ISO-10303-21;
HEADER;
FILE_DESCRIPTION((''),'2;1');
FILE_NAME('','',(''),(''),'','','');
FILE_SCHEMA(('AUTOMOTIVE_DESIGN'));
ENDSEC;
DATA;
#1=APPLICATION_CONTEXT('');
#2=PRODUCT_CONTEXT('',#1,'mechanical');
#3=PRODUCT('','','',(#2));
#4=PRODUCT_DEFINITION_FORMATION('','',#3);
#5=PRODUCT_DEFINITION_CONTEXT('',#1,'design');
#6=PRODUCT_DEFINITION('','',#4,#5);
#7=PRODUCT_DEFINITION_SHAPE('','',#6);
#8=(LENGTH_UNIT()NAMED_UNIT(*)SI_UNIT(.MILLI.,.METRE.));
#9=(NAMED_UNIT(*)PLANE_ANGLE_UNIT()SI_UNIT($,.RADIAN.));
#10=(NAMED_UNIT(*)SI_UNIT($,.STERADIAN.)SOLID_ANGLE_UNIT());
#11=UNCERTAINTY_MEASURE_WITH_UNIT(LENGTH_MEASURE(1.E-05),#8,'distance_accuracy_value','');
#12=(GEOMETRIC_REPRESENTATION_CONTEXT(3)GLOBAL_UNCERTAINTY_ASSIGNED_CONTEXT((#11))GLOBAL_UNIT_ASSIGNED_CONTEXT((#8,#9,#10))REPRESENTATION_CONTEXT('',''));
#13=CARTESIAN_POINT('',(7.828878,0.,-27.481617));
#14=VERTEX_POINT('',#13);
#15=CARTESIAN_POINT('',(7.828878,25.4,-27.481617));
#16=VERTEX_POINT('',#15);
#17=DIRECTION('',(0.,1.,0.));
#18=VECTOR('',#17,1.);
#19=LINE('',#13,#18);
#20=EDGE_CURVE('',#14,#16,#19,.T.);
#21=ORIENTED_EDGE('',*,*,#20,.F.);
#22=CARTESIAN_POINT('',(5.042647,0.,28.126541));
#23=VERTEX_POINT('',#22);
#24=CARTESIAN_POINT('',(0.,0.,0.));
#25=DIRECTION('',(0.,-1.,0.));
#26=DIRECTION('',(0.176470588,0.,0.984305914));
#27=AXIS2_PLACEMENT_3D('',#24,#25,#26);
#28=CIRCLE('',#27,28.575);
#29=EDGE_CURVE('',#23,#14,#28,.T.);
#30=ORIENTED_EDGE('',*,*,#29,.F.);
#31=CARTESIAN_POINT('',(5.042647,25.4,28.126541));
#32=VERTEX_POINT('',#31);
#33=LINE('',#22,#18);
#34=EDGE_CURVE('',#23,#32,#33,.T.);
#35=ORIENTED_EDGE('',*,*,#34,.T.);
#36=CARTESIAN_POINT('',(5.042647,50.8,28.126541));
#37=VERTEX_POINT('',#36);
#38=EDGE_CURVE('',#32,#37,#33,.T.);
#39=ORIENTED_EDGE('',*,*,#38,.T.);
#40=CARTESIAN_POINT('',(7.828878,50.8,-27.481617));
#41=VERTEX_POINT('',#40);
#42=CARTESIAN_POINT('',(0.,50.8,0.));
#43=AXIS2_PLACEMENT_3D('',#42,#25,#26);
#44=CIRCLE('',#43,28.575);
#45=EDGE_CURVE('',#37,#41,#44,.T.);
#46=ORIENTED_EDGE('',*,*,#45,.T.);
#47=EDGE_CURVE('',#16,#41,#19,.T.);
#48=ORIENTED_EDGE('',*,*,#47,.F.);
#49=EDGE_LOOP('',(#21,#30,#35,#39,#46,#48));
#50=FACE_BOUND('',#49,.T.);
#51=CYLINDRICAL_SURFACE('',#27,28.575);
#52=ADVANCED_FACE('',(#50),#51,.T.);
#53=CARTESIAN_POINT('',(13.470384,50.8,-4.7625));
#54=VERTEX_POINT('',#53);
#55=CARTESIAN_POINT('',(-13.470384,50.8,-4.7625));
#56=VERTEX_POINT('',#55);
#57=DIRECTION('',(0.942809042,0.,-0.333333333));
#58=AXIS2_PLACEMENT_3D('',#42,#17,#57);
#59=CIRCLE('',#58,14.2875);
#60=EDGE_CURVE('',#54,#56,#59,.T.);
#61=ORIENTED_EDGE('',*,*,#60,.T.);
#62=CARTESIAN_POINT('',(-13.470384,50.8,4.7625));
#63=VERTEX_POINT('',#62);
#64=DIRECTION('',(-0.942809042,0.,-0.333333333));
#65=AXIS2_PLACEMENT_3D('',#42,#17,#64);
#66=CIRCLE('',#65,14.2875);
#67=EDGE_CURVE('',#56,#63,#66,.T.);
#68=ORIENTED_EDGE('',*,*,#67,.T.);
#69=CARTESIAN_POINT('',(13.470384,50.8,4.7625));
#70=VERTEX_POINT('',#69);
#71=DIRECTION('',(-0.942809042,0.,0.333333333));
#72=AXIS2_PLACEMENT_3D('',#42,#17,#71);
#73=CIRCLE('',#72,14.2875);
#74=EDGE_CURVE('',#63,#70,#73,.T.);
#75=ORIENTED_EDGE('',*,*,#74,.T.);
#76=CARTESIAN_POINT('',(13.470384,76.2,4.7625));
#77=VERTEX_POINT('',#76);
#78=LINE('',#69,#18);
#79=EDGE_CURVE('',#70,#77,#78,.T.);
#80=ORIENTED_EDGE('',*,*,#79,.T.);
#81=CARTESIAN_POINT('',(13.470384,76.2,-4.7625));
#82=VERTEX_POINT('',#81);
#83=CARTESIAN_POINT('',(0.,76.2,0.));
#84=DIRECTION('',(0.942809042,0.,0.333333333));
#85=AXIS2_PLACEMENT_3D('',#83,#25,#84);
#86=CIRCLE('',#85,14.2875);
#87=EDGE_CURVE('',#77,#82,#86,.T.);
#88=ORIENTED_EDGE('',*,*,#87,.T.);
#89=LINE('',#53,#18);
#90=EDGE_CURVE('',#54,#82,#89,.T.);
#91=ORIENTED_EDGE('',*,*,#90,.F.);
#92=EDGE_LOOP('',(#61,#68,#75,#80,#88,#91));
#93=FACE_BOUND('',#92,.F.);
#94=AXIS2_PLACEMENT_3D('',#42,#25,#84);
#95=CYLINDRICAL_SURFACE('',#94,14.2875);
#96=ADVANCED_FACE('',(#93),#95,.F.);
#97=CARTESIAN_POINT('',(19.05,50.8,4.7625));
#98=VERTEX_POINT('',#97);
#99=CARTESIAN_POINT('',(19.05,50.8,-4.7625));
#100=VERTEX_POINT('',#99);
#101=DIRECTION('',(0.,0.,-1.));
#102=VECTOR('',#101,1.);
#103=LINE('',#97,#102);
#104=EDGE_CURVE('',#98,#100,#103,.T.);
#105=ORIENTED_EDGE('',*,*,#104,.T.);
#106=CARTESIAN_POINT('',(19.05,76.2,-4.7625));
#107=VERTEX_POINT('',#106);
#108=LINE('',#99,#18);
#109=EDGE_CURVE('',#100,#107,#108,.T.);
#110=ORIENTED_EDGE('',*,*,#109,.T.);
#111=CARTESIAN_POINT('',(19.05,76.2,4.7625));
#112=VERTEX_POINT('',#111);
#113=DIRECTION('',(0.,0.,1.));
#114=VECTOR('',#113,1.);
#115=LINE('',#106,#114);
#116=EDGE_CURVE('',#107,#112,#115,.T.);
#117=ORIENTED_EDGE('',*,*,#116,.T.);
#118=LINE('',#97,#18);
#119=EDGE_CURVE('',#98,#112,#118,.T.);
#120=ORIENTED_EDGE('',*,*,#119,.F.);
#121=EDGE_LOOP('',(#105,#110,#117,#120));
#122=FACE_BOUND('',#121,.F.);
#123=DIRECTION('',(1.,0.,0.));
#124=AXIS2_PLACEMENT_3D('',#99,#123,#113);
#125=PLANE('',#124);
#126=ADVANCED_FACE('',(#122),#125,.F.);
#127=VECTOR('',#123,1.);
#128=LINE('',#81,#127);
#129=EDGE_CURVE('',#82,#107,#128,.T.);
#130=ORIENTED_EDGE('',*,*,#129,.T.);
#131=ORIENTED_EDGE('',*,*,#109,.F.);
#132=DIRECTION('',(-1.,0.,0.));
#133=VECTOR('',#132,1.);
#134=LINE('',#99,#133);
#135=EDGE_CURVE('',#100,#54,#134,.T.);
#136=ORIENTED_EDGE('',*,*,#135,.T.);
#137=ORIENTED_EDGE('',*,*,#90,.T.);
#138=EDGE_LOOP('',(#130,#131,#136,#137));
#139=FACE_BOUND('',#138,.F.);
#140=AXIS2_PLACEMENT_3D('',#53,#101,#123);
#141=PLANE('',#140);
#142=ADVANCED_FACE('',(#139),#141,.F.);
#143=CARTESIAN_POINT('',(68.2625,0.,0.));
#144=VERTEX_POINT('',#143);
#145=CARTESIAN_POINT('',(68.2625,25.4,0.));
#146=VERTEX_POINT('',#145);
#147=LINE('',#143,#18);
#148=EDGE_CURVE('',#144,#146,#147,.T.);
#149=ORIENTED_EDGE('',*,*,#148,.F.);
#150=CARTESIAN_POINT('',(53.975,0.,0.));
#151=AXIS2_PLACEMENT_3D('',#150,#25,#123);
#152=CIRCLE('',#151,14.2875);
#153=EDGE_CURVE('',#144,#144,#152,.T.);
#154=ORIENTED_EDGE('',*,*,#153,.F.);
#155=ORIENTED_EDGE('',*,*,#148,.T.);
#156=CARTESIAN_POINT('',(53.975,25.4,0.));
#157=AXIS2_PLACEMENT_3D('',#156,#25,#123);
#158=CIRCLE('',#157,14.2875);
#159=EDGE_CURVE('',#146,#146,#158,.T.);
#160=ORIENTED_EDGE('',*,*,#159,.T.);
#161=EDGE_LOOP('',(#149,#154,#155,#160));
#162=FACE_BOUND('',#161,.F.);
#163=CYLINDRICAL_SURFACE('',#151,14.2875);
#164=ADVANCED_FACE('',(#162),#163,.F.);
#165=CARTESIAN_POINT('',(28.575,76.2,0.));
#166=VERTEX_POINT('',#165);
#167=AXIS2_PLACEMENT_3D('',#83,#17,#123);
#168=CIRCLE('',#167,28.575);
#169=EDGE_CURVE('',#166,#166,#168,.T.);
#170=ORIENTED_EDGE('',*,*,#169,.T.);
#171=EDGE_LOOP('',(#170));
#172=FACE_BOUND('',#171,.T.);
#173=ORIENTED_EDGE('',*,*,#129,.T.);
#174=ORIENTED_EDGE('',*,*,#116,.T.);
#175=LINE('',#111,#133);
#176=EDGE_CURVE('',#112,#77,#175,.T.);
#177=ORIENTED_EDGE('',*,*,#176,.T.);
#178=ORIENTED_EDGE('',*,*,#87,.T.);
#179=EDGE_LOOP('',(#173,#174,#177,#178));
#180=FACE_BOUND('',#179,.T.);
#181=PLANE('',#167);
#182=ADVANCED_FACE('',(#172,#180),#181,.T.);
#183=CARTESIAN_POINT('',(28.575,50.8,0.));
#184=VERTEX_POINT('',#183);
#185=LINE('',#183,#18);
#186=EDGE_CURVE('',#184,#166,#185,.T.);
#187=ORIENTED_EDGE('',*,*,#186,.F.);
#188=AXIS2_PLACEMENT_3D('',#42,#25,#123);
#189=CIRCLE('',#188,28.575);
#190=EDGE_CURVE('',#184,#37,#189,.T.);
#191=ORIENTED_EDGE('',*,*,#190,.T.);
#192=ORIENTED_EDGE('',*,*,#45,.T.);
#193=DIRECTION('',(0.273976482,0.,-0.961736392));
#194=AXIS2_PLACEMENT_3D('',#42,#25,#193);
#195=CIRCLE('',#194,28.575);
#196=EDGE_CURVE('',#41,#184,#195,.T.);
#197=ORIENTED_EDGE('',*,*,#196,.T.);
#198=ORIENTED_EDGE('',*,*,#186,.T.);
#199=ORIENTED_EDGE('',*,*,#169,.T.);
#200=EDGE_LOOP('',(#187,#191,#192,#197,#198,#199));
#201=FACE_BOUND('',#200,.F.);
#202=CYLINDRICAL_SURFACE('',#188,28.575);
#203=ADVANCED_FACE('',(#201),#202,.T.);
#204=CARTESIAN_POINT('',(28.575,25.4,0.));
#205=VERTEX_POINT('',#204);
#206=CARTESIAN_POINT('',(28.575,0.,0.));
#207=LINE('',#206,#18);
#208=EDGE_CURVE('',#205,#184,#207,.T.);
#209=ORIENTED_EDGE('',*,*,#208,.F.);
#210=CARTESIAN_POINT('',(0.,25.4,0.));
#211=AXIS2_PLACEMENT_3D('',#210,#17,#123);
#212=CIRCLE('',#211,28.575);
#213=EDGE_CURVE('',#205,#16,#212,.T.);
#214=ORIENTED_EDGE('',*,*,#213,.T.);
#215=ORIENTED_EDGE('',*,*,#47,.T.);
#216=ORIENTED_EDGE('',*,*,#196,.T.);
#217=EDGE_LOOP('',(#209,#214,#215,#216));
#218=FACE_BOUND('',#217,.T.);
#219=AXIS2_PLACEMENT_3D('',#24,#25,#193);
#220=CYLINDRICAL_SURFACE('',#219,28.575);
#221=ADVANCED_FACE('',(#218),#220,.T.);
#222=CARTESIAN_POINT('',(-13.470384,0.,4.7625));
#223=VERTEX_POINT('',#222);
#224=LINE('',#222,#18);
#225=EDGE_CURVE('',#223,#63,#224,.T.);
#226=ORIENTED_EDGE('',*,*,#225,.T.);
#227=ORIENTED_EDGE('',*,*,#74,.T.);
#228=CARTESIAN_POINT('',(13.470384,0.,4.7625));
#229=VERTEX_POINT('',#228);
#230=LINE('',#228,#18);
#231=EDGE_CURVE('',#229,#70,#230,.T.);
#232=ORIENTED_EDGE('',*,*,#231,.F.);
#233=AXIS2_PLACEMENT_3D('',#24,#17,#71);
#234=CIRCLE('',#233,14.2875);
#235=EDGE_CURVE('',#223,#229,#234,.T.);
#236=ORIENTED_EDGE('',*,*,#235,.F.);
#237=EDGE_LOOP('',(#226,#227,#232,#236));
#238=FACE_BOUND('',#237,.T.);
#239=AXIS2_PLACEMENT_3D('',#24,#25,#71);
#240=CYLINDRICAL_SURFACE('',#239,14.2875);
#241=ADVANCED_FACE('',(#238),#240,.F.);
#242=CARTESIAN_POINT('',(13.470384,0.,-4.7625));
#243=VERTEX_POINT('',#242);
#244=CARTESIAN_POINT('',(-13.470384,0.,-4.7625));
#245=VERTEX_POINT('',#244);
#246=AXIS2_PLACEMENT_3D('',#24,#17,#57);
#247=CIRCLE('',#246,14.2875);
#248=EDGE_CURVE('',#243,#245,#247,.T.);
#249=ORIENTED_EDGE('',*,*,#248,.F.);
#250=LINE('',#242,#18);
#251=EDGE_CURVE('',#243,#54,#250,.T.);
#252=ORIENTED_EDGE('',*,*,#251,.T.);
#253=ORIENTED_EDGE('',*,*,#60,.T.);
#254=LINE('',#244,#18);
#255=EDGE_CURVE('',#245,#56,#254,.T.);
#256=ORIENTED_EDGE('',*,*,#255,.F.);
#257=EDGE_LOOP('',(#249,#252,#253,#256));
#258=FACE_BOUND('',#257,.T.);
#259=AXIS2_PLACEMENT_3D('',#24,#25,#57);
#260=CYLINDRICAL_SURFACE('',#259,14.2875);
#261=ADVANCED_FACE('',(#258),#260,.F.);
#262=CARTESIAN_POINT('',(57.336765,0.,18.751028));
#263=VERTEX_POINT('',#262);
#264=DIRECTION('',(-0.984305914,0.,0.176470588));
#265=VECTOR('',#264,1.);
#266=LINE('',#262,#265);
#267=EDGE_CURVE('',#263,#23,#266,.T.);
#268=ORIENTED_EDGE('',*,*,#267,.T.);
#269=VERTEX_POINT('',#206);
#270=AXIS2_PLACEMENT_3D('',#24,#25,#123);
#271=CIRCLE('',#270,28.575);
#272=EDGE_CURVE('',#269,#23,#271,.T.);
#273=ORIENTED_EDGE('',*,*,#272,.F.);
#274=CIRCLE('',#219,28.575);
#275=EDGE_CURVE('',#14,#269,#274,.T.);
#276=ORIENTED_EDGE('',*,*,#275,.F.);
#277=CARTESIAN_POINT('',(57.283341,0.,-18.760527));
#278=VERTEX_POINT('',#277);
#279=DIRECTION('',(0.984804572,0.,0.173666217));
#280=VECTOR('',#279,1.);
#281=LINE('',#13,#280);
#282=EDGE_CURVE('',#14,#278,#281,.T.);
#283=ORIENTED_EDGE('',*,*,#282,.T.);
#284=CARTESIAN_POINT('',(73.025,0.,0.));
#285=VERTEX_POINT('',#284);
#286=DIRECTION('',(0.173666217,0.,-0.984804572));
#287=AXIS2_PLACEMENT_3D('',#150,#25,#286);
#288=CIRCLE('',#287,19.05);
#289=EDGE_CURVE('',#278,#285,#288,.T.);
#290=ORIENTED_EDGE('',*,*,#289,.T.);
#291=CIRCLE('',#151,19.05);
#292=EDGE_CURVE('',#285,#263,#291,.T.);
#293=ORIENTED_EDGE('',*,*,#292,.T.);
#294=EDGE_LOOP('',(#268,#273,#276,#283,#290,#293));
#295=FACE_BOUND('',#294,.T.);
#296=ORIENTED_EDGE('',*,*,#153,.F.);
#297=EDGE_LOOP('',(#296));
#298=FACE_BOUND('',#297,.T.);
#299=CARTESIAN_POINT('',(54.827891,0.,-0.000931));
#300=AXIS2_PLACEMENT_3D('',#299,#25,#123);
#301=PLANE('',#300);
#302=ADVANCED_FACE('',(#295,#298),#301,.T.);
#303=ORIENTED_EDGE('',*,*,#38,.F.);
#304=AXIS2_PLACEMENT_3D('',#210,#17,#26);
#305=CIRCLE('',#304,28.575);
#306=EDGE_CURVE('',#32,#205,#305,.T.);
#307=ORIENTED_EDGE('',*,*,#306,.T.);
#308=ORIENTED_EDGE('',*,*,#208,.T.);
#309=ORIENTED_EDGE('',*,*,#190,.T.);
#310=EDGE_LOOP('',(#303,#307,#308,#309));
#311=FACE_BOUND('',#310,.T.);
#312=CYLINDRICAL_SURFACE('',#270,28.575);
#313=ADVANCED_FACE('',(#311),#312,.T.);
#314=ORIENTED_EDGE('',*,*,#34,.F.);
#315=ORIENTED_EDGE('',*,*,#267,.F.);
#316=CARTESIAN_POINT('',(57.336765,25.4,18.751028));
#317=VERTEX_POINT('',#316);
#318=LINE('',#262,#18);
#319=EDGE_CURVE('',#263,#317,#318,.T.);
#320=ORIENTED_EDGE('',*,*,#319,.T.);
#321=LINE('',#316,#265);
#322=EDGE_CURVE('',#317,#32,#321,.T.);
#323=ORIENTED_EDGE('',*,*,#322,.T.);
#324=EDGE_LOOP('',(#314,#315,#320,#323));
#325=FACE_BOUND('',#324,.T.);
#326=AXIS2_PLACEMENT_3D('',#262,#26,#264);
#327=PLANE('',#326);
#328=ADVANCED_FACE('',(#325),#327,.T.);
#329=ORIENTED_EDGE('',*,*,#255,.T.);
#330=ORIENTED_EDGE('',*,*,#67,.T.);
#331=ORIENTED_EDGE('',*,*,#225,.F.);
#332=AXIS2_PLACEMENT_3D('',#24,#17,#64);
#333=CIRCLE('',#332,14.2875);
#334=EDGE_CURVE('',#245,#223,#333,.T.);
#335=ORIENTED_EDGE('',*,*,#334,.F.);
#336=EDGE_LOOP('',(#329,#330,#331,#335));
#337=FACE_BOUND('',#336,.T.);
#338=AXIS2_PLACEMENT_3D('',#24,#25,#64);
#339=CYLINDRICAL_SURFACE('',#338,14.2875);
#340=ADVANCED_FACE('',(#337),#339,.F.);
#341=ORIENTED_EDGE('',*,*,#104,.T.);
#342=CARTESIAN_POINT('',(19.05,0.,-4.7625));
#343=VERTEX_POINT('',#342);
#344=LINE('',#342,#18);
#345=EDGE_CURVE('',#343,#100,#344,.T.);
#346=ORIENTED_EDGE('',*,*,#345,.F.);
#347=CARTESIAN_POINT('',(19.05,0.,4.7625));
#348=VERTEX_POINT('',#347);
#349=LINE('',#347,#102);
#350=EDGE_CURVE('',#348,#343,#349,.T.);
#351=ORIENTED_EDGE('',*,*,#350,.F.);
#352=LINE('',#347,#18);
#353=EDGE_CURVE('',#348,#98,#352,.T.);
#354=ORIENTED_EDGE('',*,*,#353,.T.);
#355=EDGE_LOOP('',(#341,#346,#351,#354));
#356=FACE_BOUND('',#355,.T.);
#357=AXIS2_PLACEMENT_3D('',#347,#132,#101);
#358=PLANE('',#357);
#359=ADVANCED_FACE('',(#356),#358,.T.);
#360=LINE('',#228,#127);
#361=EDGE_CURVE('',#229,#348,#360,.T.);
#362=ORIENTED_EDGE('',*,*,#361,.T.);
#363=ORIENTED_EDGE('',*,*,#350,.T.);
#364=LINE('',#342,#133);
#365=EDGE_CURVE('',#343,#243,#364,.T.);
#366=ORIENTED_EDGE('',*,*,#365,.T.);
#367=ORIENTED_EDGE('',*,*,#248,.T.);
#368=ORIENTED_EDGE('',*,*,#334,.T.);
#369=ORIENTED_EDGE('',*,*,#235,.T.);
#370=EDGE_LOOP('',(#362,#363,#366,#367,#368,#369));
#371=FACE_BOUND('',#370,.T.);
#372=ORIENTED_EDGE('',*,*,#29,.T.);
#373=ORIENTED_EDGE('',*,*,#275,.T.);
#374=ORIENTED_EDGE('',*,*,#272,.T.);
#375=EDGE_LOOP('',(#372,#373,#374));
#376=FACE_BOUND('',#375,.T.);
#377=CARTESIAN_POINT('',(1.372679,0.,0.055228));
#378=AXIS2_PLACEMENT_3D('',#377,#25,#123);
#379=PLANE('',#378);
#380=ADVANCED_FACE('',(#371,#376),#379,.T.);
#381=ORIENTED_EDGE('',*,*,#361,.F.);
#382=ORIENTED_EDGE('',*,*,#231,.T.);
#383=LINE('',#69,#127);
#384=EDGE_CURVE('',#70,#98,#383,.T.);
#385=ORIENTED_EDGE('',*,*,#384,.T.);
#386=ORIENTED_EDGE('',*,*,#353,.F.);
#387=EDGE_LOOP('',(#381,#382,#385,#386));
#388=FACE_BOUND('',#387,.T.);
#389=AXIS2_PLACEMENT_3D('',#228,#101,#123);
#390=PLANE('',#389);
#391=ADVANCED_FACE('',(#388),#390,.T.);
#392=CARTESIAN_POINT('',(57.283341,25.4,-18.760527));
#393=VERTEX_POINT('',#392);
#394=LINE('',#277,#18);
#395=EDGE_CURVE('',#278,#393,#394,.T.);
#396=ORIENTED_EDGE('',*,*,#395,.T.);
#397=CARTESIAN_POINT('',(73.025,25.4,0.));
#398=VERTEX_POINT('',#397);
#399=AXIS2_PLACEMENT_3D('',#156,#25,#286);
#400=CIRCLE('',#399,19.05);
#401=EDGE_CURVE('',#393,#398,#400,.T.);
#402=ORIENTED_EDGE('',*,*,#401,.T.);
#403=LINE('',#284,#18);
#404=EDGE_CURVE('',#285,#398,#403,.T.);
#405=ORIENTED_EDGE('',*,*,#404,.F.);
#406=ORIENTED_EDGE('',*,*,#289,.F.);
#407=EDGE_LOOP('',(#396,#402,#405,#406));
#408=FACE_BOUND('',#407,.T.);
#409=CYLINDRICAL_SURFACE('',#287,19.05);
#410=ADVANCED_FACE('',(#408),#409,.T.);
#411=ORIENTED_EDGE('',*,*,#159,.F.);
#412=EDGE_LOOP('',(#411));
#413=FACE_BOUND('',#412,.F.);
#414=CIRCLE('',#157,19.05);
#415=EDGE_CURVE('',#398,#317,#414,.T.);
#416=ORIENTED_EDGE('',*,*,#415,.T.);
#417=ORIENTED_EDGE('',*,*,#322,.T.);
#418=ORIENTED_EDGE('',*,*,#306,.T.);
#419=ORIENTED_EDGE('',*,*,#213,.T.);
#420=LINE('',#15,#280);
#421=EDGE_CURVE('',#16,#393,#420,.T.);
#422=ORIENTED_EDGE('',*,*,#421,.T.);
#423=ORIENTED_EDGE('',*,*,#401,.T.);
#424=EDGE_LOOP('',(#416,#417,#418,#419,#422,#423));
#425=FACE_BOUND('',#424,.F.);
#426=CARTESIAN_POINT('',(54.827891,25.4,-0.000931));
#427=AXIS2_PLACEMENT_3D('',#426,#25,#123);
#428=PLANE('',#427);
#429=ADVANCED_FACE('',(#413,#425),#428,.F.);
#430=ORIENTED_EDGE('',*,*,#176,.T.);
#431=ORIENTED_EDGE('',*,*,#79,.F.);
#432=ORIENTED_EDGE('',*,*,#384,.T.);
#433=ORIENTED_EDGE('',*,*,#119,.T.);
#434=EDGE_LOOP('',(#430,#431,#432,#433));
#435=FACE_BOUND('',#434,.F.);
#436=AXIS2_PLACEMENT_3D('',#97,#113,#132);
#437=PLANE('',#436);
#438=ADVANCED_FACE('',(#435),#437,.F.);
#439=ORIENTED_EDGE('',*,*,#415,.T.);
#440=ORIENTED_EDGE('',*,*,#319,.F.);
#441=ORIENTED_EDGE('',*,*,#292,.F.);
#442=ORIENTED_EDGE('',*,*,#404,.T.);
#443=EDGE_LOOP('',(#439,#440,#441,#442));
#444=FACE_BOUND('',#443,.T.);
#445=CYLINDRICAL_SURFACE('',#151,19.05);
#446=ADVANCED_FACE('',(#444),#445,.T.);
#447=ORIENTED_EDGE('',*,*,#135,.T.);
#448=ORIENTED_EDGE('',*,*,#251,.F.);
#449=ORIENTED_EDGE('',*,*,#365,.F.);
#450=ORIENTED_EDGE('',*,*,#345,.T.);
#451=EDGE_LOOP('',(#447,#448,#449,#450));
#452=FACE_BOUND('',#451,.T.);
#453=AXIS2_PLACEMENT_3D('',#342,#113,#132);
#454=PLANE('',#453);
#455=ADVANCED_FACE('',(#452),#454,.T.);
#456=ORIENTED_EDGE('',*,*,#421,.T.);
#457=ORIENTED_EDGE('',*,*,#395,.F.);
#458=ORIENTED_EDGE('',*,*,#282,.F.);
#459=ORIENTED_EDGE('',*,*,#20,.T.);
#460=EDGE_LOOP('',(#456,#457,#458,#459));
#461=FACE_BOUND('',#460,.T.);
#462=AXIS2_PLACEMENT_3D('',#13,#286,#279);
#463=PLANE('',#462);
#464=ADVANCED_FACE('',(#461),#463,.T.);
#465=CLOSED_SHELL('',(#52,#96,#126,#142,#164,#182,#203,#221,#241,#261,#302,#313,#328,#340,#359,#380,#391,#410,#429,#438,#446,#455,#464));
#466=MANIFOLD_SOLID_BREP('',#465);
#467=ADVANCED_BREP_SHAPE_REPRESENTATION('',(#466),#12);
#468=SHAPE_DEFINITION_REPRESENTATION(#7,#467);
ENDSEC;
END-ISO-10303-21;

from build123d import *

# Parameters (mm, degrees)
F1_DEPTH  = 50.8
F1_FACE_R = 28.575
F0_R      = 14.2875
F2_DEPTH  = 25.4


with BuildPart() as f1:
    # F0 (on Front) → F1 (new body)
    with BuildSketch(Plane.XZ):
        with BuildLine():
            ThreePointArc((7.8288779685, -27.481617397), (22.8061484358, -17.2165681402), (28.575, 0))
            ThreePointArc((28.575, 0), (21.9160245563, 18.3362616868), (5.0426470588, 28.1265414802))
            ThreePointArc((5.0426470588, 28.1265414802), (-28.5391988774, -1.4299484043), (7.8288779685, -27.481617397))
        make_face()
        with BuildLine():
            ThreePointArc((-13.4703841816, 4.7625), (0, 14.2875), (13.4703841816, 4.7625))
            Line((13.4703841816, 4.7625), (19.05, 4.7625))
            Line((19.05, 4.7625), (19.05, -4.7625))
            Line((19.05, -4.7625), (13.4703841816, -4.7625))
            ThreePointArc((13.4703841816, -4.7625), (0, -14.2875), (-13.4703841816, -4.7625))
            Line((-13.4703841816, -4.7625), (-19.05, -4.7625))
            Line((-19.05, -4.7625), (-19.05, 4.7625))
            Line((-19.05, 4.7625), (-13.4703841816, 4.7625))
        make_face(mode=Mode.SUBTRACT)
        with BuildLine():
            ThreePointArc((-13.4703841816, -4.7625), (-14.2875, 0), (-13.4703841816, 4.7625))
            Line((-13.4703841816, 4.7625), (-19.05, 4.7625))
            Line((-19.05, 4.7625), (-19.05, -4.7625))
            Line((-19.05, -4.7625), (-13.4703841816, -4.7625))
        make_face()
    extrude(amount=-F1_DEPTH)

    # F1_face (on face) + F0 (on Front) → F2 (join)
    with BuildSketch(Plane(origin=(-0.4222586929, 50.8, 0), x_dir=(1, 0, 0), z_dir=(0, 1, 0))):
        with Locations((0.4222586929, 0)):
            Circle(F1_FACE_R)
        with BuildLine():
            Line((19.4722586929, -4.7625), (13.8926428745, -4.7625))
            ThreePointArc((13.8926428745, -4.7625), (-13.8652413071, 0), (13.8926428745, 4.7625))
            Line((13.8926428745, 4.7625), (19.4722586929, 4.7625))
            Line((19.4722586929, 4.7625), (19.4722586929, -4.7625))
        make_face(mode=Mode.SUBTRACT)
    with BuildSketch(Plane.XZ):
        with BuildLine():
            ThreePointArc((73.025, 0), (68.5856830375, 12.2241744579), (57.3367647059, 18.7510276535))
            ThreePointArc((57.3367647059, 18.7510276535), (34.9250193195, 0.0271306318), (57.2833414401, -18.7605270959))
            ThreePointArc((57.2833414401, -18.7605270959), (68.5682587936, -12.2449703055), (73.025, 0))
        make_face()
        with Locations((53.975, 0)):
            Circle(F0_R, mode=Mode.SUBTRACT)
        with BuildLine():
            ThreePointArc((5.0426470588, 28.1265414802), (21.9160245563, 18.3362616868), (28.575, 0))
            ThreePointArc((28.575, 0), (22.8061484358, -17.2165681402), (7.8288779685, -27.481617397))
            Line((7.8288779685, -27.481617397), (57.2833414401, -18.7605270959))
            ThreePointArc((57.2833414401, -18.7605270959), (34.9250193195, 0.0271306318), (57.3367647059, 18.7510276535))
            Line((57.3367647059, 18.7510276535), (5.0426470588, 28.1265414802))
        make_face()
    extrude(amount=F2_DEPTH, dir=(0, 1, 0))


solid = f1.part
